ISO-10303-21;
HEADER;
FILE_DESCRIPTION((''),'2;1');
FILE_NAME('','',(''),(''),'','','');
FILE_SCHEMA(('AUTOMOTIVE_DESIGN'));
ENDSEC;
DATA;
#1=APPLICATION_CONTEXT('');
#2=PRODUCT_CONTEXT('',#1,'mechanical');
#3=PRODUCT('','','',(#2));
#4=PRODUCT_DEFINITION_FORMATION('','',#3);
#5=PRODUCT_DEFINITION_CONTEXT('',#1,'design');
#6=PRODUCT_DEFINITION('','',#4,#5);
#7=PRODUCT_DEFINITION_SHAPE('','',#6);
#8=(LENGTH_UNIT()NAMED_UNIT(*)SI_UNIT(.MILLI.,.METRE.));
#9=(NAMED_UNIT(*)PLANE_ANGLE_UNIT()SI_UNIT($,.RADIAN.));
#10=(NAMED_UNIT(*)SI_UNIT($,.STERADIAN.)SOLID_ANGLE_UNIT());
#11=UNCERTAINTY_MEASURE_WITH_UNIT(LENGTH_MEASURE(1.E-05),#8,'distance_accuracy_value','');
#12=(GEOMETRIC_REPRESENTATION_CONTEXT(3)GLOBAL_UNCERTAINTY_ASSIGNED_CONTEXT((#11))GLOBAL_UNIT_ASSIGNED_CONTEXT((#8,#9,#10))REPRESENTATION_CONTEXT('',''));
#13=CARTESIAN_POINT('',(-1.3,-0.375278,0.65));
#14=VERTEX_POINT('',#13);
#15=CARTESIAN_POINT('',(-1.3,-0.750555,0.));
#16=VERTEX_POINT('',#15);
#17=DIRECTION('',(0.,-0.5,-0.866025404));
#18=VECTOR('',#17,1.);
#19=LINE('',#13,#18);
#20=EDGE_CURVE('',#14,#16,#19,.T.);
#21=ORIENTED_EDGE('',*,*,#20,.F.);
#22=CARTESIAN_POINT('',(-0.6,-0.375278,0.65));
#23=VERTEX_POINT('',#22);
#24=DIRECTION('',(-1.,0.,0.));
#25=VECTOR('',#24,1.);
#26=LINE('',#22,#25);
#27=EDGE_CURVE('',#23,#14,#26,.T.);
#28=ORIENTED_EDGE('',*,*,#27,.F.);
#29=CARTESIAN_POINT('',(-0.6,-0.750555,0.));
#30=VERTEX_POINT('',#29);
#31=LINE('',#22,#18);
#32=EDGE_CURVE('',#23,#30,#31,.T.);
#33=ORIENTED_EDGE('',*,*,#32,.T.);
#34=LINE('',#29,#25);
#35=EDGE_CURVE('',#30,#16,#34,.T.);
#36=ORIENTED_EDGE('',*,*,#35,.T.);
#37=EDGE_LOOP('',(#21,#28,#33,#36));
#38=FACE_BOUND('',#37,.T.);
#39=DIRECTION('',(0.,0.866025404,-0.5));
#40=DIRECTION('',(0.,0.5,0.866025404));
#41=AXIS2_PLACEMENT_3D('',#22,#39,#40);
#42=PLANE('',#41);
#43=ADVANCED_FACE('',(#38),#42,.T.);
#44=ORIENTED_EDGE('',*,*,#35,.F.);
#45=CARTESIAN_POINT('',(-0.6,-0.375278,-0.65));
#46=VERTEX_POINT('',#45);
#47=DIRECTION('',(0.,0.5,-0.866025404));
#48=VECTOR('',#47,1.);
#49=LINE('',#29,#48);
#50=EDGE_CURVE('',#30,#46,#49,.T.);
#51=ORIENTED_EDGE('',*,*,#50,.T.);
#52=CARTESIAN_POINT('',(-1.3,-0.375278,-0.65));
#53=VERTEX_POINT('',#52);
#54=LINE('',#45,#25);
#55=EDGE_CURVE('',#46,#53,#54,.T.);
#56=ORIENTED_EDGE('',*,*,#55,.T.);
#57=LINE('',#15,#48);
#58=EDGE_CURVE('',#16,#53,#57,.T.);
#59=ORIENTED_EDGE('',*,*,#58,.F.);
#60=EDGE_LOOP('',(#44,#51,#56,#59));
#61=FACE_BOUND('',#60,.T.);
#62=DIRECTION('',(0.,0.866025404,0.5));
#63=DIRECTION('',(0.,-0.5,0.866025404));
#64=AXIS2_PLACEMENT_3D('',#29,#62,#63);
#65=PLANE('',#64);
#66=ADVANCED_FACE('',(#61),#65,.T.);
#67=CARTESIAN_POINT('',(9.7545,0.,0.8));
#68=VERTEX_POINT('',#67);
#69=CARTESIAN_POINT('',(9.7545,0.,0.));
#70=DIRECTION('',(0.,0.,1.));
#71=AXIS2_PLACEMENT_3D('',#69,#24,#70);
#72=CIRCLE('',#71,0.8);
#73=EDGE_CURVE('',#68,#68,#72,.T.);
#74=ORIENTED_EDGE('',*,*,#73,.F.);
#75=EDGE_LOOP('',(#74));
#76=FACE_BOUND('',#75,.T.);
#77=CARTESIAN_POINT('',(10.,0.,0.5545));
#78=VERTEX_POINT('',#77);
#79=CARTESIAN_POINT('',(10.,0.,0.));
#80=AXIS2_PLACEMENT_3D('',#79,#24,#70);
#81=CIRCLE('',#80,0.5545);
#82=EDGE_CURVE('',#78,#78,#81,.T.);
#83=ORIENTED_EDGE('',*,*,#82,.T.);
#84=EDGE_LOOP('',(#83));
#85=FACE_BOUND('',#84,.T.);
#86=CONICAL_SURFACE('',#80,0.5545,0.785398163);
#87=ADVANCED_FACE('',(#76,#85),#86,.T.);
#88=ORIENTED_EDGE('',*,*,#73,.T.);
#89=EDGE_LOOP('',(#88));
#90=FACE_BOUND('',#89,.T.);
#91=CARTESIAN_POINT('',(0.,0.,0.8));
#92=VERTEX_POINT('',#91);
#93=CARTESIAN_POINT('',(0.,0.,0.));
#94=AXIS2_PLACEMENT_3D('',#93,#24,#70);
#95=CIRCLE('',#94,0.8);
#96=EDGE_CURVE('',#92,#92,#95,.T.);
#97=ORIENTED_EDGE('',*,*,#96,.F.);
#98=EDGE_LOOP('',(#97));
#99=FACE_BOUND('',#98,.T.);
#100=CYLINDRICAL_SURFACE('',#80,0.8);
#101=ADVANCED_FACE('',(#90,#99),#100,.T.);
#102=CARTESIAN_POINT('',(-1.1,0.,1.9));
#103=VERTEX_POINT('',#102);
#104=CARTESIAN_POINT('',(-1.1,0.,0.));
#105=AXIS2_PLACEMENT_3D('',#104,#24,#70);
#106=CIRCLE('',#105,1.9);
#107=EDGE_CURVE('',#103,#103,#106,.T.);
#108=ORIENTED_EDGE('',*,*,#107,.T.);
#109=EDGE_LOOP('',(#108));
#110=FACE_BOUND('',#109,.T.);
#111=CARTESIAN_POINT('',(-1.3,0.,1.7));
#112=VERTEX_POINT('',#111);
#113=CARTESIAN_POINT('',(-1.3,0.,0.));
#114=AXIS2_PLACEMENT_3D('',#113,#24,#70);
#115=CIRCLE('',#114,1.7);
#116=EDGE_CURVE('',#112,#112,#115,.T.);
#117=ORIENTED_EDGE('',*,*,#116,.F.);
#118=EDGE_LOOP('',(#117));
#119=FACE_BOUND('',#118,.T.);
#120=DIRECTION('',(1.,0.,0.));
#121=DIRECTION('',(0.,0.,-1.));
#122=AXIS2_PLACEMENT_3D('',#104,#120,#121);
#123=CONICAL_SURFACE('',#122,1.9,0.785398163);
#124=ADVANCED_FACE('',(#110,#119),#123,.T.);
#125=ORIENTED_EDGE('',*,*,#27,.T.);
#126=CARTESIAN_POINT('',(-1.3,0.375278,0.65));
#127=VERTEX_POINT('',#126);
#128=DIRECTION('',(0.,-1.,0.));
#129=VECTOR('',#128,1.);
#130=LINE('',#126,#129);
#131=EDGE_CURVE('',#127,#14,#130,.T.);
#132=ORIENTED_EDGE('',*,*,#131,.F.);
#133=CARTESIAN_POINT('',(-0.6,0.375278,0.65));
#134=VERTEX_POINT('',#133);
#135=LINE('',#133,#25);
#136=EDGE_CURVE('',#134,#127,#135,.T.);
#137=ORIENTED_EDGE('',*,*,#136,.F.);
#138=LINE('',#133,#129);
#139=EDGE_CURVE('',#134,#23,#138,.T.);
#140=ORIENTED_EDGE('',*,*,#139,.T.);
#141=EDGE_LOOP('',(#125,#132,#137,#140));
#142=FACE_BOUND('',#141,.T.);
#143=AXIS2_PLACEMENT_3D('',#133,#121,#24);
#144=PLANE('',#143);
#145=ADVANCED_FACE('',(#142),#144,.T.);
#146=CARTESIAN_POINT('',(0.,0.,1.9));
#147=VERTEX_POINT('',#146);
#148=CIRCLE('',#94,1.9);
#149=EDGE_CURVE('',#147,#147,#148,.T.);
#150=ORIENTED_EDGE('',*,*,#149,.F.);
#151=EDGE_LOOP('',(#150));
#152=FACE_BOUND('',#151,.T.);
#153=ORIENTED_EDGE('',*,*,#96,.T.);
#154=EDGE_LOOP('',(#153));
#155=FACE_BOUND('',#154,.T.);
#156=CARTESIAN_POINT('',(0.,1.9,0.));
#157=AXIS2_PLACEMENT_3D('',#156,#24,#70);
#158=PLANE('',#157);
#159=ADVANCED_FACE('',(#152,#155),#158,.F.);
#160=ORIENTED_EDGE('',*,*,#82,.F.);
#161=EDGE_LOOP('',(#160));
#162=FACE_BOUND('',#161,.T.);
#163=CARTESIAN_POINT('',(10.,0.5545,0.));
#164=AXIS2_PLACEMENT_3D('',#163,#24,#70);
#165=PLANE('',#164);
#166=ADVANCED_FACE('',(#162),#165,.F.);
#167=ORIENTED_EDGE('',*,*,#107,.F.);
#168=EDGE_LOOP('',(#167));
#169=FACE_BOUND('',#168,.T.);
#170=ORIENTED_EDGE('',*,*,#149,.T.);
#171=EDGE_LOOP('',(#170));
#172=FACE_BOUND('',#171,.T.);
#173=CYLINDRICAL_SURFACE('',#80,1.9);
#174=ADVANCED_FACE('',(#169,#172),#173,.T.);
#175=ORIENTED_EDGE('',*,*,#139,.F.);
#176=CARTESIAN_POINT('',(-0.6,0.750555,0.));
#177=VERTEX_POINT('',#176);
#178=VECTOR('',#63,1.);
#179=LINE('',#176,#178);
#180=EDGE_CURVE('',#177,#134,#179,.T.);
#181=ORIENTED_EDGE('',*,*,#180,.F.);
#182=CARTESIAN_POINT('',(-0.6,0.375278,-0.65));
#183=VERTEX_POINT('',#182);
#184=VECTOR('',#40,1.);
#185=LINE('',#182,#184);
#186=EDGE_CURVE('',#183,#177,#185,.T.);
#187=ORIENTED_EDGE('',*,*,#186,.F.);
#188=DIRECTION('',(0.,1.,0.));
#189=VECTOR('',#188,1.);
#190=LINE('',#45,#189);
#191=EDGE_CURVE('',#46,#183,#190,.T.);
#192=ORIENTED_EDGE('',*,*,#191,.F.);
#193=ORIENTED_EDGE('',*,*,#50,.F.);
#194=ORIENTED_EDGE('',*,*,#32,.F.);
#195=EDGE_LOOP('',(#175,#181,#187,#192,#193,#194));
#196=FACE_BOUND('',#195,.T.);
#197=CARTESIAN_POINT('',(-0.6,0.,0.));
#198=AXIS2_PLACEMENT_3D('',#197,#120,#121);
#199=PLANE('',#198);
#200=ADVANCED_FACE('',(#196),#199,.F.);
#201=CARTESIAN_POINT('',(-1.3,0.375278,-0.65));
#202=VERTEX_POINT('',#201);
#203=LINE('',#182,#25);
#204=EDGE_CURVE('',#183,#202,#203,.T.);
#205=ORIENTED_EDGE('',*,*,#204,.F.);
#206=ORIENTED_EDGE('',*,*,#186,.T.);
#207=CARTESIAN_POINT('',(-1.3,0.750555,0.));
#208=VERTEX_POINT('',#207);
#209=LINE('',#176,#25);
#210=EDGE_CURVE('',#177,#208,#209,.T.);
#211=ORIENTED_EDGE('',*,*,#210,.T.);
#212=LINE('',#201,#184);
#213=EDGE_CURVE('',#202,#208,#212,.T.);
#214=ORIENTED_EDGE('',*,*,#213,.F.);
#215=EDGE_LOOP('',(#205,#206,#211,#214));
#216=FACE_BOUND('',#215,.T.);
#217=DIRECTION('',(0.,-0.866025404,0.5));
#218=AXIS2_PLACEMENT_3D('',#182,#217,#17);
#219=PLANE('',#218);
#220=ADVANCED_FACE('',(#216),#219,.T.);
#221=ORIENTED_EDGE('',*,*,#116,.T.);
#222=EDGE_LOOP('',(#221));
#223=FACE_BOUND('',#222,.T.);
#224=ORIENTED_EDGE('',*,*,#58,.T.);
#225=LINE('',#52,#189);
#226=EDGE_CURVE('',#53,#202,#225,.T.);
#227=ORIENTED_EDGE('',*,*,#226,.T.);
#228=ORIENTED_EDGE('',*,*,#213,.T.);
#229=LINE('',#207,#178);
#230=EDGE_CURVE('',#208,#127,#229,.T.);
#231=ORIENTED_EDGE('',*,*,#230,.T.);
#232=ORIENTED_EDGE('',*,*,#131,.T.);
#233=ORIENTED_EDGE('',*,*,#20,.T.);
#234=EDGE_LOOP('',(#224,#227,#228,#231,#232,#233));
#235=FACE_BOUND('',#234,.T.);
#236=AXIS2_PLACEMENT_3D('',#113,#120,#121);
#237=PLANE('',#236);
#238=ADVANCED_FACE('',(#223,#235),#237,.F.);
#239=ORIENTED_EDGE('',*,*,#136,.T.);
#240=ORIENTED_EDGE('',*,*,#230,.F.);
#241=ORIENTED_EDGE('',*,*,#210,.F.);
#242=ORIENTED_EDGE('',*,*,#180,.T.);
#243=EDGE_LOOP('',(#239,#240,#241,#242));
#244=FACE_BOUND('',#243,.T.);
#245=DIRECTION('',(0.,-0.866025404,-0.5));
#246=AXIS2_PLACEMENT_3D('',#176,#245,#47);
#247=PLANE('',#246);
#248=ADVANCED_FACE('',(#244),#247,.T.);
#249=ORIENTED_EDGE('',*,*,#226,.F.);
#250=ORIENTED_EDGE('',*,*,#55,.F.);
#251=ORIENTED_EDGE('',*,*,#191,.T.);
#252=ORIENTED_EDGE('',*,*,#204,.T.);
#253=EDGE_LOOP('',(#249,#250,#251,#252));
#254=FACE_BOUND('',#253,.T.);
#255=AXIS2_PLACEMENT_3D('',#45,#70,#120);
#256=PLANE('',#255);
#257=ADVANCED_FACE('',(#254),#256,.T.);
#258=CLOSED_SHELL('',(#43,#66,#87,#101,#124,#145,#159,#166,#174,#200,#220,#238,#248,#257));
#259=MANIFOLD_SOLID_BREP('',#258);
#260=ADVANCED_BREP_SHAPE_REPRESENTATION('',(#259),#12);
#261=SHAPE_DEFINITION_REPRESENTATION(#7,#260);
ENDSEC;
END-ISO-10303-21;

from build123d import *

# Parameters (mm, degrees)
CUT_EXTRUDE1_DEPTH = 0.7


with BuildPart() as part:
    # Sketch1 → Revolve1 (revolve)
    with BuildSketch(Plane.XY):
        Polygon((-1.3, 0), (-1.3, 1.7), (-1.1, 1.9), (0, 1.9), (0, 0.8), (9.7545, 0.8), (10, 0.5545), (10, 0), align=None)
    revolve(axis=Axis((10, 0, 0), (-1, 0, 0)))

    # Sketch2 → Cut-Extrude1 (cut)
    with BuildSketch(Plane(origin=(-1.3, 0, 0), x_dir=(0, 0, -1), z_dir=(1, 0, 0))):
        Polygon((-0.65, -0.375277675), (0, -0.75055535), (0.65, -0.375277675), (0.65, 0.375277675), (0, 0.75055535), (-0.65, 0.375277675), align=None)
    extrude(amount=CUT_EXTRUDE1_DEPTH, mode=Mode.SUBTRACT)


solid = part.part
